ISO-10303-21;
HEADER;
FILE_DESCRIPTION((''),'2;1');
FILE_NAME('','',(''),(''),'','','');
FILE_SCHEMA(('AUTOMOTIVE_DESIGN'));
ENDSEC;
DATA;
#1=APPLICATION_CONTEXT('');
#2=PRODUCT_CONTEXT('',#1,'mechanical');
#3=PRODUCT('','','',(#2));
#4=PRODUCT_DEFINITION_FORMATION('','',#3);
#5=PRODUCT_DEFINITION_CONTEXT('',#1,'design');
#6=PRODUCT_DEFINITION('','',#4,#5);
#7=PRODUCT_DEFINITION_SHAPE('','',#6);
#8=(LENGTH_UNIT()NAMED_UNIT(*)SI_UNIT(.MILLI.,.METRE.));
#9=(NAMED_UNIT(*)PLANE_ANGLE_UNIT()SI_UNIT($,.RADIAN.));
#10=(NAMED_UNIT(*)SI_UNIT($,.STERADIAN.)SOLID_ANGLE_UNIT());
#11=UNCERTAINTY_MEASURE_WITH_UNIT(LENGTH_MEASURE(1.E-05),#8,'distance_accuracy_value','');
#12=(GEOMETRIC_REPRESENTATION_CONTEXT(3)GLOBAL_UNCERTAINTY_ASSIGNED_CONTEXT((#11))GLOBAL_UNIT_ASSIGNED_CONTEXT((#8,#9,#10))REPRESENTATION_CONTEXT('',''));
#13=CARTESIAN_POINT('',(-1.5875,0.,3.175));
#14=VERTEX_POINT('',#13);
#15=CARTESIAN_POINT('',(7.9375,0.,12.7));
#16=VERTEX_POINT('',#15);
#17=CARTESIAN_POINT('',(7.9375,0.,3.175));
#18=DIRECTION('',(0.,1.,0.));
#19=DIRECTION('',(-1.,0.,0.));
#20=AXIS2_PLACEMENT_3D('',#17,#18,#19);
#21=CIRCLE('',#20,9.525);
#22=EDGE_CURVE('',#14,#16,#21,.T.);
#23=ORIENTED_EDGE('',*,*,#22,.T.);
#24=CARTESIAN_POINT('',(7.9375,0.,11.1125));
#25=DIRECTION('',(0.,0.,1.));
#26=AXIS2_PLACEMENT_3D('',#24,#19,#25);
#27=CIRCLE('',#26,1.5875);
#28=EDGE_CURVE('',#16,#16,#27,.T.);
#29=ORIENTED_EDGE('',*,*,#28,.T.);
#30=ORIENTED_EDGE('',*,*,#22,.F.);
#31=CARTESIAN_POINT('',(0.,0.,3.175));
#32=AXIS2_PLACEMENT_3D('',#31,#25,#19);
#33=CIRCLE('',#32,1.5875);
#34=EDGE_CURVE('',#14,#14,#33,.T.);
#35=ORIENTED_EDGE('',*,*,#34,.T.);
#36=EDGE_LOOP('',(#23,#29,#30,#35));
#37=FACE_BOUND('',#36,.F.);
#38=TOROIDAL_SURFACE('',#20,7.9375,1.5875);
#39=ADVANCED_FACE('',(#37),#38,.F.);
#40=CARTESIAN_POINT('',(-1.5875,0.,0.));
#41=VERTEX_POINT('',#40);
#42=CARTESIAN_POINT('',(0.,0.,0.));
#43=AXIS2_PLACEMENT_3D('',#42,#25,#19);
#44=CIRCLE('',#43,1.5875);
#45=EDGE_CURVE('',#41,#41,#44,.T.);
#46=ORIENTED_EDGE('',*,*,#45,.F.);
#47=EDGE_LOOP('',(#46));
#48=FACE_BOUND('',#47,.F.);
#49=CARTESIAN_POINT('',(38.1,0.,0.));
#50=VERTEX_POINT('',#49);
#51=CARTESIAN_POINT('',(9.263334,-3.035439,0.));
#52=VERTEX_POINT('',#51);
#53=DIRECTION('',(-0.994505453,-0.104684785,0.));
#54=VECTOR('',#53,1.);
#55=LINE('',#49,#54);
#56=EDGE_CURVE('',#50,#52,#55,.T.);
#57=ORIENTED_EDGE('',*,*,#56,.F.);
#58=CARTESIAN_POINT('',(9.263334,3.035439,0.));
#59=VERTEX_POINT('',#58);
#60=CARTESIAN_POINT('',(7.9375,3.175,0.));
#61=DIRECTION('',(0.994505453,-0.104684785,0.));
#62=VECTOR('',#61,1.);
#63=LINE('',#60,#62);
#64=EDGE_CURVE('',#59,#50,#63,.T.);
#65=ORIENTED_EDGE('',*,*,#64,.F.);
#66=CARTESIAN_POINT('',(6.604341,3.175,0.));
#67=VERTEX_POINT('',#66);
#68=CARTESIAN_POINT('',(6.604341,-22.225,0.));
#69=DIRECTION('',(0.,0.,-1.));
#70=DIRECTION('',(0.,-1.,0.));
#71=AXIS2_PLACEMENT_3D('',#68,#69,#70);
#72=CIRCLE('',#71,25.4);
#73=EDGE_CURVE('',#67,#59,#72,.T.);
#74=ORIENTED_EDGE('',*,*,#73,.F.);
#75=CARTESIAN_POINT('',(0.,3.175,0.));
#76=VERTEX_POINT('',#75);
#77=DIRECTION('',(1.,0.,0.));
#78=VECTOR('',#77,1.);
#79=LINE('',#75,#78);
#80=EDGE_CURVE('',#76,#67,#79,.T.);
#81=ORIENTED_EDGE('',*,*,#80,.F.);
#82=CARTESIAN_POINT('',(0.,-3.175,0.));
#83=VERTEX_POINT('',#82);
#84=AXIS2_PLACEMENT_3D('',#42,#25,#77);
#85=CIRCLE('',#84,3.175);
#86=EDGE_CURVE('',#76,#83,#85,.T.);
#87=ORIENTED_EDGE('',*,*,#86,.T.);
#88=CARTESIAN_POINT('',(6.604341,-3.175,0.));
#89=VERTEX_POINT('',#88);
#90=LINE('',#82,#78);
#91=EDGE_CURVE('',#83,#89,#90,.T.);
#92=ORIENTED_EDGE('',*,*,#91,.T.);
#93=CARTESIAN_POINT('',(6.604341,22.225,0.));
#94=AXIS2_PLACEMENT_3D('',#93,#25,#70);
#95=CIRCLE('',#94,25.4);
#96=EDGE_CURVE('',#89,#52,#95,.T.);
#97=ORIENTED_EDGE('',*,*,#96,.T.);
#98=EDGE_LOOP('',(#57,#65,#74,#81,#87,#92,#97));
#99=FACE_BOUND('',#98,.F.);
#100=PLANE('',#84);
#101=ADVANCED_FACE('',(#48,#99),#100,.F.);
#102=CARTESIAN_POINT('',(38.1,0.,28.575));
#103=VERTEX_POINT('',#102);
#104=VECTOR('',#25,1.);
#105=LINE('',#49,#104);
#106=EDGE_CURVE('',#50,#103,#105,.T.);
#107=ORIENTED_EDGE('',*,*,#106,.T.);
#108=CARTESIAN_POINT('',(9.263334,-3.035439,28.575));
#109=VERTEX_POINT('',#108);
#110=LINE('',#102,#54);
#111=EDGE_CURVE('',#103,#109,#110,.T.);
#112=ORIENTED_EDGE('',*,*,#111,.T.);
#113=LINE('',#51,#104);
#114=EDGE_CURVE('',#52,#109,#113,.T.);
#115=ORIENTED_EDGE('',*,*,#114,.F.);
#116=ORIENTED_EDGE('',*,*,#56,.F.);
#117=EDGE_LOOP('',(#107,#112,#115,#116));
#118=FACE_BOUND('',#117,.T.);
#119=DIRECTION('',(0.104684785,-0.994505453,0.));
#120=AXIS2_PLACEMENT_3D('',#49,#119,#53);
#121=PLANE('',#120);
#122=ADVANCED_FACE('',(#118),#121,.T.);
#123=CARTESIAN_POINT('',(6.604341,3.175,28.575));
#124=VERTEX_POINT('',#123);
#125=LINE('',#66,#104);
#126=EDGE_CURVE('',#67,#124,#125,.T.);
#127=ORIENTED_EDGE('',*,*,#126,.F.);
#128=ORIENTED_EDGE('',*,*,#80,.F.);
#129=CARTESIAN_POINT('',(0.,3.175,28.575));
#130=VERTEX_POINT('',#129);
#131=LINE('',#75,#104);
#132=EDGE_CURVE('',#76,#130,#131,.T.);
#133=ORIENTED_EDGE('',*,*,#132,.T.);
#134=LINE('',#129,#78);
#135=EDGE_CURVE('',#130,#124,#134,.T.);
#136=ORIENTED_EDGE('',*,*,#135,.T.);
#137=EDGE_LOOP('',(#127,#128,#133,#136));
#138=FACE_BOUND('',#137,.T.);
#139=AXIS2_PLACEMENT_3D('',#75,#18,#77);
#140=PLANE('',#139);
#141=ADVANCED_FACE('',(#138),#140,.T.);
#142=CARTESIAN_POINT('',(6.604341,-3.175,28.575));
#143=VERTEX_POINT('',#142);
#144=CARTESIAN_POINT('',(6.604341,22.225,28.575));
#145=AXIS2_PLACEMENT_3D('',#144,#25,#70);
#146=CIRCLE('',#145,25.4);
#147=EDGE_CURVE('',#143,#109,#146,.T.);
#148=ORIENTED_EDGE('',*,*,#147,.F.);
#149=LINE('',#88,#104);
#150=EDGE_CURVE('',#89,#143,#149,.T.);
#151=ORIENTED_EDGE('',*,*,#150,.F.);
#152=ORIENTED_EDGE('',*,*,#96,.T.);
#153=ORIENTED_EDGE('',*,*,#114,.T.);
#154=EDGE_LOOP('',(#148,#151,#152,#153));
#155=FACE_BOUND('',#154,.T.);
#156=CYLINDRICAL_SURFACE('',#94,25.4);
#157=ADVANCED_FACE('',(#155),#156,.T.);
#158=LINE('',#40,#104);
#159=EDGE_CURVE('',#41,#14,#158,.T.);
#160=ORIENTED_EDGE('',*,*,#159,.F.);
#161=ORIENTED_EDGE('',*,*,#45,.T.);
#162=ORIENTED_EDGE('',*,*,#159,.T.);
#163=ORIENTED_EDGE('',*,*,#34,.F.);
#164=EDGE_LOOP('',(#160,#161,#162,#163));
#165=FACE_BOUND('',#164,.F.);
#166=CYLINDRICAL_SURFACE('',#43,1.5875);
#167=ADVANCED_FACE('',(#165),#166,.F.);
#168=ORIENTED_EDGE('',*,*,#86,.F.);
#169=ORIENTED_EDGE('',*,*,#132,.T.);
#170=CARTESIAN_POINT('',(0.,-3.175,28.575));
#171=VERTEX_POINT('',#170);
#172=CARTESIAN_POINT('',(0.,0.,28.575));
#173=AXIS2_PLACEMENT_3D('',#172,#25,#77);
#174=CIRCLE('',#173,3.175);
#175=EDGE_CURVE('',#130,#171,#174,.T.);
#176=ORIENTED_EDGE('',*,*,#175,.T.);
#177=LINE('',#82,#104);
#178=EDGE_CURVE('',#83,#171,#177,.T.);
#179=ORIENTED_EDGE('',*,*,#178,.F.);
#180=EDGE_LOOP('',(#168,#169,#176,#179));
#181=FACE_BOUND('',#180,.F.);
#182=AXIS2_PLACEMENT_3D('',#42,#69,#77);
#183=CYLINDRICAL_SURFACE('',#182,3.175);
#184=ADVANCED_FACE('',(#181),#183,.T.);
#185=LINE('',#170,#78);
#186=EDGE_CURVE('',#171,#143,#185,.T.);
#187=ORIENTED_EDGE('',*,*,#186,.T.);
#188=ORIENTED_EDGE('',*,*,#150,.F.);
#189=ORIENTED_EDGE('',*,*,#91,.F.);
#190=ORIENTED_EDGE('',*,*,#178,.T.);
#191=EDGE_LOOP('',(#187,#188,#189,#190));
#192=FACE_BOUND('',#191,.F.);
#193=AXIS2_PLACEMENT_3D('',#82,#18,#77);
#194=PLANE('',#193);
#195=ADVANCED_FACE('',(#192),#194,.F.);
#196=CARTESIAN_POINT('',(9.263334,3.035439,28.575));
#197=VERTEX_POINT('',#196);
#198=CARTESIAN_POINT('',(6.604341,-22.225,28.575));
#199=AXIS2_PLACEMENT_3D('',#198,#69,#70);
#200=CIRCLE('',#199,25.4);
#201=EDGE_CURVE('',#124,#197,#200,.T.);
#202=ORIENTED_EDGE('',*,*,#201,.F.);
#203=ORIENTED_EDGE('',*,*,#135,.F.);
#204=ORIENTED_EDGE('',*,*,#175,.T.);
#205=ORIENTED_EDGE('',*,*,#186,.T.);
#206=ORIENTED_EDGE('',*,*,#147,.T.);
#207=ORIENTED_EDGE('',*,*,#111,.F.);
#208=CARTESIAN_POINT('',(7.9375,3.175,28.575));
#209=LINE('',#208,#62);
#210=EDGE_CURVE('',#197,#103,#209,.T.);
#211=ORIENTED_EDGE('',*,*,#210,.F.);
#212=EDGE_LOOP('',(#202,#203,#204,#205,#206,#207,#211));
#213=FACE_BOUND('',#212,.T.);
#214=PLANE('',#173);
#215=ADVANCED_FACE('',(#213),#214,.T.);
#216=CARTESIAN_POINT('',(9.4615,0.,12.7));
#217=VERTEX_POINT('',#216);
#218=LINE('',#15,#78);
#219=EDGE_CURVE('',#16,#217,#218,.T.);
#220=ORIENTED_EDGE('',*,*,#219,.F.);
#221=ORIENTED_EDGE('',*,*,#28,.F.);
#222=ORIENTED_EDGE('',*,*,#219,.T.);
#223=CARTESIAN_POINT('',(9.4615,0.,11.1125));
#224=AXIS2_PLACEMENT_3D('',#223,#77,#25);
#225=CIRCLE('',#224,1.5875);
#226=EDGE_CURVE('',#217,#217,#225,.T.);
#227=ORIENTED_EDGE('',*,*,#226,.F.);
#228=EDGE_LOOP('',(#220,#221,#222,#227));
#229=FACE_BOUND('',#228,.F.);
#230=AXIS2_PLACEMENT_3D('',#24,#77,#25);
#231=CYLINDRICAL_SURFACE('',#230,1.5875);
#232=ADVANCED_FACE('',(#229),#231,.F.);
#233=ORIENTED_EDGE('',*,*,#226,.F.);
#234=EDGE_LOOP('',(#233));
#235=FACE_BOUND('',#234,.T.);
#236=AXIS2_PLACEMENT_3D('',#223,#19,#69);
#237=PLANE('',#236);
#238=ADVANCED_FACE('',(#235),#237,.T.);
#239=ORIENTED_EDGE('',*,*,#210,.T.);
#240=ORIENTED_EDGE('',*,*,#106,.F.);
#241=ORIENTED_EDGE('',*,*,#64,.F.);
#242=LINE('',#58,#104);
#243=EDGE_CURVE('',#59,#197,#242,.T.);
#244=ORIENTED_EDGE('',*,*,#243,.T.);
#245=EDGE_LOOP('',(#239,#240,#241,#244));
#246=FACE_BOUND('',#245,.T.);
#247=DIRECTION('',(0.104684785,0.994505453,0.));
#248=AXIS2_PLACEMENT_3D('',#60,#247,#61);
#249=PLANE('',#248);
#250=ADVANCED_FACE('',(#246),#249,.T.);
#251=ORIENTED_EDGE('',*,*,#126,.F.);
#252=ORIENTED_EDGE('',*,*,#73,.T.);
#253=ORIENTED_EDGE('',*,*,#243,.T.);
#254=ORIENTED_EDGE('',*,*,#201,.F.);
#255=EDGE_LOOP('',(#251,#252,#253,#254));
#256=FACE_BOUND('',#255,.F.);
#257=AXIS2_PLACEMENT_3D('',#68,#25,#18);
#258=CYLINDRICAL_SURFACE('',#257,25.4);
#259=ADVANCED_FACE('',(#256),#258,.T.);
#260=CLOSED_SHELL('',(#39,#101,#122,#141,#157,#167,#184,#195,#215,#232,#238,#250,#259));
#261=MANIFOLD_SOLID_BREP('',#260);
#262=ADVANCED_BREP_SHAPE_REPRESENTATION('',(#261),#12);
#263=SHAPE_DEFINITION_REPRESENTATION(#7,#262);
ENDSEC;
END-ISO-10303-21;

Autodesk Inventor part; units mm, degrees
ref_plane "YZ Plane" through (0, 0, 0) normal (1, 0, 0) x (0, 1, 0)
ref_plane "XZ Plane" through (0, 0, 0) normal (0, 1, 0) x (-1, 0, 0)
ref_plane "XY Plane" through (0, 0, 0) normal (0, 0, 1) x (1, 0, 0)
sketch "Sketch5" plane through (0, 0, 0) normal (0, 0, 1) x (1, 0, 0)
  circle A0 centre (0, 0) radius 3.175
  line L0 (0, 3.175) -> (7.9375, 3.175)
  line L1 (0, -3.175) -> (7.9375, -3.175)
  line L2 (7.9375, 3.175) -> (38.1, 0)
  line L3 (38.1, 0) -> (7.9375, -3.175)
  dimension "d16" = 6.35
  dimension "d17" = 7.9375
  dimension "d18" = 7.9375
  dimension "d19" = 38.1
extrude "Extrusion2" add sketch "Sketch5" along normal blind 28.575
sketch "Sketch6" plane through (0, 0, 0) normal (0, 0, -1) x (-1, 0, 0)
  circle A0 centre (0, 0) radius 1.5875
  dimension "d22" = 3.175
sketch "Sketch7" plane through (0, 0, 0) normal (0, 1, 0) x (-1, 0, 0)
  line L0 (0, 0) -> (0, 3.175)
  line L1 (-7.9375, 11.1125) -> (-9.4615, 11.1125)
  arc A0 (0, 3.175) -> (-7.9375, 11.1125) centre (-7.9375, 3.175) ccw
  dimension "d23" = 3.175
  dimension "d26" = 1.524
  dimension "d27" = 7.9375
  dimension "d28" = 7.9375
sweep "Sweep2" cut profiles "Sketch6" path "Sketch7"
fillet "Fillet1" radius 25.4 2 edges at (7.9375, 3.175, 14.2875) (7.9375, -3.175, 14.2875)
properties part number "foreDivePlanes" material "ABS Plastic"
